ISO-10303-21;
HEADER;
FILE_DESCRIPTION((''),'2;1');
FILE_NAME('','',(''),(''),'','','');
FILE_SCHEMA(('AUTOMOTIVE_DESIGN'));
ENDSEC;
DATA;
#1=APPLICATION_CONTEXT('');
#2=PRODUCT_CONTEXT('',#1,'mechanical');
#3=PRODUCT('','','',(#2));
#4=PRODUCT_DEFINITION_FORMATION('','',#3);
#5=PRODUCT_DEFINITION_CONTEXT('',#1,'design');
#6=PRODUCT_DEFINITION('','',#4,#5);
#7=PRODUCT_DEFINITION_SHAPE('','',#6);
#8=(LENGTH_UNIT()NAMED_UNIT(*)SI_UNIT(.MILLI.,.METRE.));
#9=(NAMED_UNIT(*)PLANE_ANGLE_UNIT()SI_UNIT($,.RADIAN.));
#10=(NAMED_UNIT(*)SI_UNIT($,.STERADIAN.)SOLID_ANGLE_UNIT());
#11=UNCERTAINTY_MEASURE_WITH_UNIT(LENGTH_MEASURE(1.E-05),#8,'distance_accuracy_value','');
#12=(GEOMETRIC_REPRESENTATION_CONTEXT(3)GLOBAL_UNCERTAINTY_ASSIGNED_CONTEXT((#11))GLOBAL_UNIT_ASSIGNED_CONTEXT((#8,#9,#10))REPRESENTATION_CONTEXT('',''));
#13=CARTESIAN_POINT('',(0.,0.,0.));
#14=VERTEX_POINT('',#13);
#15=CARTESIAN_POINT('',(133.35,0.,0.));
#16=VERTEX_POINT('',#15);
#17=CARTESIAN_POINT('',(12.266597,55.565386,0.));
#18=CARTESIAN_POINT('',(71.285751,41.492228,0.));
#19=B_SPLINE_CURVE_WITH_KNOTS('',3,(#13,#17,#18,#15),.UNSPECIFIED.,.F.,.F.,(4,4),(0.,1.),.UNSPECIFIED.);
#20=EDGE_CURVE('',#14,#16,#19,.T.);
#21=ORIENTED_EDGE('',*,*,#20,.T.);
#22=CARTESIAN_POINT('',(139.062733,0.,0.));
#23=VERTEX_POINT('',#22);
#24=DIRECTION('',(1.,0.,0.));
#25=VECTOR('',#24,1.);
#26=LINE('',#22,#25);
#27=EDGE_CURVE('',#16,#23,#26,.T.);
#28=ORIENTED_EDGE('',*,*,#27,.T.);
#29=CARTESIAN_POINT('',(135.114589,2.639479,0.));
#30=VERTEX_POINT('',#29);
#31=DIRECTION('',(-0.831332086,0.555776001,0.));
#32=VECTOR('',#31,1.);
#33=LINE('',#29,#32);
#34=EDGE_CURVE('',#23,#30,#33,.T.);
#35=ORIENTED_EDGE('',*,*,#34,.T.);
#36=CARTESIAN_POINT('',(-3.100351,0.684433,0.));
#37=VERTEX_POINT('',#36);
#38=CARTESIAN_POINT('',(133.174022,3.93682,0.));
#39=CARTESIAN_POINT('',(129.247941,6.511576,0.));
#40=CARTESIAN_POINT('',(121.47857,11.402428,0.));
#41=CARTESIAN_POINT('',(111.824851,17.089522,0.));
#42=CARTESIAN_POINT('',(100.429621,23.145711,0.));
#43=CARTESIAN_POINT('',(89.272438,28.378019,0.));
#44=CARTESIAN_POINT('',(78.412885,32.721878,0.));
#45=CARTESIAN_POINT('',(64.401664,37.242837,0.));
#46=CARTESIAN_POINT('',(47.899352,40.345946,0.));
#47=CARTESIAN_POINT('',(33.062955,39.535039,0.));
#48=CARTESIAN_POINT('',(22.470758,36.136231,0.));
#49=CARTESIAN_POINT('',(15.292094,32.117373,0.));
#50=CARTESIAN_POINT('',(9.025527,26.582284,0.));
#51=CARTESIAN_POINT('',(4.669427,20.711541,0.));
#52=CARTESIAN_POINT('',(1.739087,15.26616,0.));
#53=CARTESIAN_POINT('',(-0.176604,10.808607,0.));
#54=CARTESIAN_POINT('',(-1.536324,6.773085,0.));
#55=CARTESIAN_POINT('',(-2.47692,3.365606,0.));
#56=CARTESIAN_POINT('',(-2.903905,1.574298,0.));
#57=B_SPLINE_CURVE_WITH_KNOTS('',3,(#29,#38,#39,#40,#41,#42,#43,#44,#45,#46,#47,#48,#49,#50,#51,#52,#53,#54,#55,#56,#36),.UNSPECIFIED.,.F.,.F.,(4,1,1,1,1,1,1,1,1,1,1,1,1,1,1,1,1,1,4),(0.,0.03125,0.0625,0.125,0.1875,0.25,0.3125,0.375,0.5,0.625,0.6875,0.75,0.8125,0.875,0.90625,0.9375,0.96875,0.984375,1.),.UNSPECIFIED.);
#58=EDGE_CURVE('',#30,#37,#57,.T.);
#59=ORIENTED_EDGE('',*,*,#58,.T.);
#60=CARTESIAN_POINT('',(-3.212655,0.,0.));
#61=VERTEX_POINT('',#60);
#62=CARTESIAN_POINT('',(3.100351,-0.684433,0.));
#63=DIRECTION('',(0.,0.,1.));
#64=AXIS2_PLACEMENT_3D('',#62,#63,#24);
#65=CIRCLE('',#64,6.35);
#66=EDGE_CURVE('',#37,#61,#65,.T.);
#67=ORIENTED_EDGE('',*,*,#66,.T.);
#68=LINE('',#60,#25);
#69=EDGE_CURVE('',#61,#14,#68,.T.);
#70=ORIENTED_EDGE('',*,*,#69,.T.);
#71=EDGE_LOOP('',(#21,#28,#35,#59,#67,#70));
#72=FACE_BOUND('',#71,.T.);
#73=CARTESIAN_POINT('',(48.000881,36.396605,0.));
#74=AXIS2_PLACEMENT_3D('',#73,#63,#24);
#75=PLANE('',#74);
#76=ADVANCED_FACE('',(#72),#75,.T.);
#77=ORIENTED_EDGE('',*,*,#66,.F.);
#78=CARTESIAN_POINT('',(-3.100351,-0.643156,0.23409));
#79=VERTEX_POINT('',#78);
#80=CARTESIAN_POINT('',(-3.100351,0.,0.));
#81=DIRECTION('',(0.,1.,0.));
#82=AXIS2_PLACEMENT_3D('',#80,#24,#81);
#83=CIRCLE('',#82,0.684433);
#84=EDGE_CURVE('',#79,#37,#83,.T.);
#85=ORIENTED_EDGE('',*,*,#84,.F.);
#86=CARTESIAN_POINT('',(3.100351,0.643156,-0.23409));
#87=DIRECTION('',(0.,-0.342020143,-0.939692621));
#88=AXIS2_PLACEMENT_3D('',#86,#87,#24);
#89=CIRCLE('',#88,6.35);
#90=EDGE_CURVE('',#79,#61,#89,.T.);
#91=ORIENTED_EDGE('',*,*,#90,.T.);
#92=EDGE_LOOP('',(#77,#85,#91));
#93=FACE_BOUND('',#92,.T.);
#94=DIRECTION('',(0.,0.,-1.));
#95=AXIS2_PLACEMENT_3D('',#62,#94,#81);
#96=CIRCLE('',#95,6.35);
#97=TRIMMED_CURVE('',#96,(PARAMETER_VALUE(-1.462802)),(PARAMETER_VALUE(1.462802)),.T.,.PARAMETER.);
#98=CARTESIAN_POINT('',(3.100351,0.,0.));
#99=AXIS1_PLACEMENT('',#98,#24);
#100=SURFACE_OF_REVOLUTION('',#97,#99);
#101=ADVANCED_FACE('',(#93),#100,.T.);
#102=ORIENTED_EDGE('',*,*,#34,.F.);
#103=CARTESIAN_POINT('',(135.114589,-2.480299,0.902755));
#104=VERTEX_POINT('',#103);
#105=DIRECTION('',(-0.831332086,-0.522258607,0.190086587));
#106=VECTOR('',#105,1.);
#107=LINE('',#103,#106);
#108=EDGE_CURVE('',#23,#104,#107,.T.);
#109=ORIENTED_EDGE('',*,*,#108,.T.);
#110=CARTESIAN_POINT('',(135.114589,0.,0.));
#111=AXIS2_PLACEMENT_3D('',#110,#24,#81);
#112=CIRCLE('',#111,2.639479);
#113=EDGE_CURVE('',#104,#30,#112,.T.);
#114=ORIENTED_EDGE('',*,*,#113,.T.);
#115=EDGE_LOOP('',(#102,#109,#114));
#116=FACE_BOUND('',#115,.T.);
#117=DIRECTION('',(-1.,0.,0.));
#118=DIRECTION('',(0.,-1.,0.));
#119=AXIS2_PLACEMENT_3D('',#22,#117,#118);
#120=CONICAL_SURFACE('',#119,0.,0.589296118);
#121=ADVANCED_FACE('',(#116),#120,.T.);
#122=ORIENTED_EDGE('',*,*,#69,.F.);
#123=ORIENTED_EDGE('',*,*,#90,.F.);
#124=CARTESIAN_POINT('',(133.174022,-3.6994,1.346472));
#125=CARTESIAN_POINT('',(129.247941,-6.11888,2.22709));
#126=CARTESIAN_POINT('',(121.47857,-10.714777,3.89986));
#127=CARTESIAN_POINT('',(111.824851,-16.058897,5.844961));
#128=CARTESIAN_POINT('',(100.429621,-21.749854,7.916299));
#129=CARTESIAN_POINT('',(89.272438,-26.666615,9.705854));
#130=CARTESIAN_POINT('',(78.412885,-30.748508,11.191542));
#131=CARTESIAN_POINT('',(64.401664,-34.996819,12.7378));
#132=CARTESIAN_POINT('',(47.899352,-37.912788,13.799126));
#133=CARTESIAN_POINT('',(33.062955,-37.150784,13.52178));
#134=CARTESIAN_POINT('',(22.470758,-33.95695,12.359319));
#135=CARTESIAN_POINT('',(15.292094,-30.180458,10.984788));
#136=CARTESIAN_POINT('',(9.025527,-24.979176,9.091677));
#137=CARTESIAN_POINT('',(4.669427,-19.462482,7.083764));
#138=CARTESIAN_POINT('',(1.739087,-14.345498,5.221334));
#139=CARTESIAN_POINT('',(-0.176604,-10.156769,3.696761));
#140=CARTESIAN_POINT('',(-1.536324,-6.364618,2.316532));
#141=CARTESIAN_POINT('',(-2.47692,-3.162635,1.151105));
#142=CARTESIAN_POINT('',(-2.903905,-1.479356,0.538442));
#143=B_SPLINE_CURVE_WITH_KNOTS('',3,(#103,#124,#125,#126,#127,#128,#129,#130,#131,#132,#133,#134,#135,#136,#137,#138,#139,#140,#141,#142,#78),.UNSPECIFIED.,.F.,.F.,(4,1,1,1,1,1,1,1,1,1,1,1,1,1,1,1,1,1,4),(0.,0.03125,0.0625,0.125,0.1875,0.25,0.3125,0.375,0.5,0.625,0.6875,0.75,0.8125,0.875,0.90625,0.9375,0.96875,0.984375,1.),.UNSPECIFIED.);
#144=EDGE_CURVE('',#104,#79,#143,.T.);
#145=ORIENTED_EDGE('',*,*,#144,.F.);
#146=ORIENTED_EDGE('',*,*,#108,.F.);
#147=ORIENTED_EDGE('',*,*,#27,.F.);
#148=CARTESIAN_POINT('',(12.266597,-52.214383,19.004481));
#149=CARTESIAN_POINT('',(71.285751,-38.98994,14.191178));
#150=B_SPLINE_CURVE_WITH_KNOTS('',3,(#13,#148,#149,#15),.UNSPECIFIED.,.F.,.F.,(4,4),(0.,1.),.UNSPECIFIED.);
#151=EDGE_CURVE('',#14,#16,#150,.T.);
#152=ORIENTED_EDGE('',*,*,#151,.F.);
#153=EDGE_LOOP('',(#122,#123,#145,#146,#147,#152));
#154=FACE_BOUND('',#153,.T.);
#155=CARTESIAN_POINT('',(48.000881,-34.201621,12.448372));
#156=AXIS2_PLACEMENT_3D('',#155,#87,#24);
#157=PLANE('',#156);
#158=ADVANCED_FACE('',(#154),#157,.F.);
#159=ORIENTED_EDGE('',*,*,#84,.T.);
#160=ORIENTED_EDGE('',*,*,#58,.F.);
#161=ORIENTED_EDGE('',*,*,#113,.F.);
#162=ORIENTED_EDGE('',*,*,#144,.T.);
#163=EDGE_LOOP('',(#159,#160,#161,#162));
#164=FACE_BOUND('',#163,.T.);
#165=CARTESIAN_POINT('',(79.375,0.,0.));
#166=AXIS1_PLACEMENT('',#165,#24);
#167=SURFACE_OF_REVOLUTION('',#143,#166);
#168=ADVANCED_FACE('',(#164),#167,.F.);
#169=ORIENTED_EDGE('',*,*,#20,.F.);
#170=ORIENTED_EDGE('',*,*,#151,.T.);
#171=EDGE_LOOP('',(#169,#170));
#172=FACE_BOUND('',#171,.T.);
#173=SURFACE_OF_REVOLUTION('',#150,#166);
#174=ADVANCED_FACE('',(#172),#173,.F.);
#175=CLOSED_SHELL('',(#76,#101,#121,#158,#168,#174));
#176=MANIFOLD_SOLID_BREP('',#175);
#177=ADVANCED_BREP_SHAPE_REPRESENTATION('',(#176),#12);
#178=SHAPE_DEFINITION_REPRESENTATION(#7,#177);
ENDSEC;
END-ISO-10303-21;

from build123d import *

# Parameters (mm, degrees)
REVOLVE1_ANGLE = 200


with BuildPart() as part:
    # Sketch2 → Revolve1 (revolve)
    with BuildSketch(Plane.XY):
        with BuildLine():
            Line((-3.212655458, 0), (0, 0))
            add(Edge.make_bspline(
                [(0, 0), (12.266597433, 55.565385953), (71.285750956, 41.492227614), (133.35, 0)],
                knots=[0, 0, 0, 0, 1, 1, 1, 1], degree=3))
            Line((133.35, 0), (139.062733179, 0))
            Line((139.062733179, 0), (135.114588803, 2.639479372))
            add(Edge.make_bspline(
                [(-3.100351122, 0.684432556), (-2.903904755, 1.574297755), (-2.476919946, 3.365605775), (-1.536324421, 6.773085244), (-0.176603867, 10.808607442), (1.739087424, 15.266159853), (4.669427281, 20.711540733), (9.025527184, 26.582284091), (15.29209378, 32.11737273), (22.470757612, 36.136231388), (33.062954869, 39.535038693), (47.899352208, 40.345946179), (64.401664411, 37.242836845), (78.412884844, 32.721878401), (89.272437749, 28.378018543), (100.429620724, 23.145710859), (111.824851295, 17.089521742), (121.478569851, 11.402427952), (129.247941257, 6.511575904), (133.174021898, 3.936819547), (135.114588803, 2.639479372)],
                knots=[0, 0, 0, 0, 0.015625, 0.03125, 0.0625, 0.09375, 0.125, 0.1875, 0.25, 0.3125, 0.375, 0.5, 0.625, 0.6875, 0.75, 0.8125, 0.875, 0.9375, 0.96875, 1, 1, 1, 1], degree=3))
            ThreePointArc((-3.100351122, 0.684432556), (-3.165854996, 0.343750742), (-3.212655458, 0))
        make_face()
    revolve(axis=Axis((79.375, 0, 0), (-1, 0, 0)), revolution_arc=REVOLVE1_ANGLE)


solid = part.part
